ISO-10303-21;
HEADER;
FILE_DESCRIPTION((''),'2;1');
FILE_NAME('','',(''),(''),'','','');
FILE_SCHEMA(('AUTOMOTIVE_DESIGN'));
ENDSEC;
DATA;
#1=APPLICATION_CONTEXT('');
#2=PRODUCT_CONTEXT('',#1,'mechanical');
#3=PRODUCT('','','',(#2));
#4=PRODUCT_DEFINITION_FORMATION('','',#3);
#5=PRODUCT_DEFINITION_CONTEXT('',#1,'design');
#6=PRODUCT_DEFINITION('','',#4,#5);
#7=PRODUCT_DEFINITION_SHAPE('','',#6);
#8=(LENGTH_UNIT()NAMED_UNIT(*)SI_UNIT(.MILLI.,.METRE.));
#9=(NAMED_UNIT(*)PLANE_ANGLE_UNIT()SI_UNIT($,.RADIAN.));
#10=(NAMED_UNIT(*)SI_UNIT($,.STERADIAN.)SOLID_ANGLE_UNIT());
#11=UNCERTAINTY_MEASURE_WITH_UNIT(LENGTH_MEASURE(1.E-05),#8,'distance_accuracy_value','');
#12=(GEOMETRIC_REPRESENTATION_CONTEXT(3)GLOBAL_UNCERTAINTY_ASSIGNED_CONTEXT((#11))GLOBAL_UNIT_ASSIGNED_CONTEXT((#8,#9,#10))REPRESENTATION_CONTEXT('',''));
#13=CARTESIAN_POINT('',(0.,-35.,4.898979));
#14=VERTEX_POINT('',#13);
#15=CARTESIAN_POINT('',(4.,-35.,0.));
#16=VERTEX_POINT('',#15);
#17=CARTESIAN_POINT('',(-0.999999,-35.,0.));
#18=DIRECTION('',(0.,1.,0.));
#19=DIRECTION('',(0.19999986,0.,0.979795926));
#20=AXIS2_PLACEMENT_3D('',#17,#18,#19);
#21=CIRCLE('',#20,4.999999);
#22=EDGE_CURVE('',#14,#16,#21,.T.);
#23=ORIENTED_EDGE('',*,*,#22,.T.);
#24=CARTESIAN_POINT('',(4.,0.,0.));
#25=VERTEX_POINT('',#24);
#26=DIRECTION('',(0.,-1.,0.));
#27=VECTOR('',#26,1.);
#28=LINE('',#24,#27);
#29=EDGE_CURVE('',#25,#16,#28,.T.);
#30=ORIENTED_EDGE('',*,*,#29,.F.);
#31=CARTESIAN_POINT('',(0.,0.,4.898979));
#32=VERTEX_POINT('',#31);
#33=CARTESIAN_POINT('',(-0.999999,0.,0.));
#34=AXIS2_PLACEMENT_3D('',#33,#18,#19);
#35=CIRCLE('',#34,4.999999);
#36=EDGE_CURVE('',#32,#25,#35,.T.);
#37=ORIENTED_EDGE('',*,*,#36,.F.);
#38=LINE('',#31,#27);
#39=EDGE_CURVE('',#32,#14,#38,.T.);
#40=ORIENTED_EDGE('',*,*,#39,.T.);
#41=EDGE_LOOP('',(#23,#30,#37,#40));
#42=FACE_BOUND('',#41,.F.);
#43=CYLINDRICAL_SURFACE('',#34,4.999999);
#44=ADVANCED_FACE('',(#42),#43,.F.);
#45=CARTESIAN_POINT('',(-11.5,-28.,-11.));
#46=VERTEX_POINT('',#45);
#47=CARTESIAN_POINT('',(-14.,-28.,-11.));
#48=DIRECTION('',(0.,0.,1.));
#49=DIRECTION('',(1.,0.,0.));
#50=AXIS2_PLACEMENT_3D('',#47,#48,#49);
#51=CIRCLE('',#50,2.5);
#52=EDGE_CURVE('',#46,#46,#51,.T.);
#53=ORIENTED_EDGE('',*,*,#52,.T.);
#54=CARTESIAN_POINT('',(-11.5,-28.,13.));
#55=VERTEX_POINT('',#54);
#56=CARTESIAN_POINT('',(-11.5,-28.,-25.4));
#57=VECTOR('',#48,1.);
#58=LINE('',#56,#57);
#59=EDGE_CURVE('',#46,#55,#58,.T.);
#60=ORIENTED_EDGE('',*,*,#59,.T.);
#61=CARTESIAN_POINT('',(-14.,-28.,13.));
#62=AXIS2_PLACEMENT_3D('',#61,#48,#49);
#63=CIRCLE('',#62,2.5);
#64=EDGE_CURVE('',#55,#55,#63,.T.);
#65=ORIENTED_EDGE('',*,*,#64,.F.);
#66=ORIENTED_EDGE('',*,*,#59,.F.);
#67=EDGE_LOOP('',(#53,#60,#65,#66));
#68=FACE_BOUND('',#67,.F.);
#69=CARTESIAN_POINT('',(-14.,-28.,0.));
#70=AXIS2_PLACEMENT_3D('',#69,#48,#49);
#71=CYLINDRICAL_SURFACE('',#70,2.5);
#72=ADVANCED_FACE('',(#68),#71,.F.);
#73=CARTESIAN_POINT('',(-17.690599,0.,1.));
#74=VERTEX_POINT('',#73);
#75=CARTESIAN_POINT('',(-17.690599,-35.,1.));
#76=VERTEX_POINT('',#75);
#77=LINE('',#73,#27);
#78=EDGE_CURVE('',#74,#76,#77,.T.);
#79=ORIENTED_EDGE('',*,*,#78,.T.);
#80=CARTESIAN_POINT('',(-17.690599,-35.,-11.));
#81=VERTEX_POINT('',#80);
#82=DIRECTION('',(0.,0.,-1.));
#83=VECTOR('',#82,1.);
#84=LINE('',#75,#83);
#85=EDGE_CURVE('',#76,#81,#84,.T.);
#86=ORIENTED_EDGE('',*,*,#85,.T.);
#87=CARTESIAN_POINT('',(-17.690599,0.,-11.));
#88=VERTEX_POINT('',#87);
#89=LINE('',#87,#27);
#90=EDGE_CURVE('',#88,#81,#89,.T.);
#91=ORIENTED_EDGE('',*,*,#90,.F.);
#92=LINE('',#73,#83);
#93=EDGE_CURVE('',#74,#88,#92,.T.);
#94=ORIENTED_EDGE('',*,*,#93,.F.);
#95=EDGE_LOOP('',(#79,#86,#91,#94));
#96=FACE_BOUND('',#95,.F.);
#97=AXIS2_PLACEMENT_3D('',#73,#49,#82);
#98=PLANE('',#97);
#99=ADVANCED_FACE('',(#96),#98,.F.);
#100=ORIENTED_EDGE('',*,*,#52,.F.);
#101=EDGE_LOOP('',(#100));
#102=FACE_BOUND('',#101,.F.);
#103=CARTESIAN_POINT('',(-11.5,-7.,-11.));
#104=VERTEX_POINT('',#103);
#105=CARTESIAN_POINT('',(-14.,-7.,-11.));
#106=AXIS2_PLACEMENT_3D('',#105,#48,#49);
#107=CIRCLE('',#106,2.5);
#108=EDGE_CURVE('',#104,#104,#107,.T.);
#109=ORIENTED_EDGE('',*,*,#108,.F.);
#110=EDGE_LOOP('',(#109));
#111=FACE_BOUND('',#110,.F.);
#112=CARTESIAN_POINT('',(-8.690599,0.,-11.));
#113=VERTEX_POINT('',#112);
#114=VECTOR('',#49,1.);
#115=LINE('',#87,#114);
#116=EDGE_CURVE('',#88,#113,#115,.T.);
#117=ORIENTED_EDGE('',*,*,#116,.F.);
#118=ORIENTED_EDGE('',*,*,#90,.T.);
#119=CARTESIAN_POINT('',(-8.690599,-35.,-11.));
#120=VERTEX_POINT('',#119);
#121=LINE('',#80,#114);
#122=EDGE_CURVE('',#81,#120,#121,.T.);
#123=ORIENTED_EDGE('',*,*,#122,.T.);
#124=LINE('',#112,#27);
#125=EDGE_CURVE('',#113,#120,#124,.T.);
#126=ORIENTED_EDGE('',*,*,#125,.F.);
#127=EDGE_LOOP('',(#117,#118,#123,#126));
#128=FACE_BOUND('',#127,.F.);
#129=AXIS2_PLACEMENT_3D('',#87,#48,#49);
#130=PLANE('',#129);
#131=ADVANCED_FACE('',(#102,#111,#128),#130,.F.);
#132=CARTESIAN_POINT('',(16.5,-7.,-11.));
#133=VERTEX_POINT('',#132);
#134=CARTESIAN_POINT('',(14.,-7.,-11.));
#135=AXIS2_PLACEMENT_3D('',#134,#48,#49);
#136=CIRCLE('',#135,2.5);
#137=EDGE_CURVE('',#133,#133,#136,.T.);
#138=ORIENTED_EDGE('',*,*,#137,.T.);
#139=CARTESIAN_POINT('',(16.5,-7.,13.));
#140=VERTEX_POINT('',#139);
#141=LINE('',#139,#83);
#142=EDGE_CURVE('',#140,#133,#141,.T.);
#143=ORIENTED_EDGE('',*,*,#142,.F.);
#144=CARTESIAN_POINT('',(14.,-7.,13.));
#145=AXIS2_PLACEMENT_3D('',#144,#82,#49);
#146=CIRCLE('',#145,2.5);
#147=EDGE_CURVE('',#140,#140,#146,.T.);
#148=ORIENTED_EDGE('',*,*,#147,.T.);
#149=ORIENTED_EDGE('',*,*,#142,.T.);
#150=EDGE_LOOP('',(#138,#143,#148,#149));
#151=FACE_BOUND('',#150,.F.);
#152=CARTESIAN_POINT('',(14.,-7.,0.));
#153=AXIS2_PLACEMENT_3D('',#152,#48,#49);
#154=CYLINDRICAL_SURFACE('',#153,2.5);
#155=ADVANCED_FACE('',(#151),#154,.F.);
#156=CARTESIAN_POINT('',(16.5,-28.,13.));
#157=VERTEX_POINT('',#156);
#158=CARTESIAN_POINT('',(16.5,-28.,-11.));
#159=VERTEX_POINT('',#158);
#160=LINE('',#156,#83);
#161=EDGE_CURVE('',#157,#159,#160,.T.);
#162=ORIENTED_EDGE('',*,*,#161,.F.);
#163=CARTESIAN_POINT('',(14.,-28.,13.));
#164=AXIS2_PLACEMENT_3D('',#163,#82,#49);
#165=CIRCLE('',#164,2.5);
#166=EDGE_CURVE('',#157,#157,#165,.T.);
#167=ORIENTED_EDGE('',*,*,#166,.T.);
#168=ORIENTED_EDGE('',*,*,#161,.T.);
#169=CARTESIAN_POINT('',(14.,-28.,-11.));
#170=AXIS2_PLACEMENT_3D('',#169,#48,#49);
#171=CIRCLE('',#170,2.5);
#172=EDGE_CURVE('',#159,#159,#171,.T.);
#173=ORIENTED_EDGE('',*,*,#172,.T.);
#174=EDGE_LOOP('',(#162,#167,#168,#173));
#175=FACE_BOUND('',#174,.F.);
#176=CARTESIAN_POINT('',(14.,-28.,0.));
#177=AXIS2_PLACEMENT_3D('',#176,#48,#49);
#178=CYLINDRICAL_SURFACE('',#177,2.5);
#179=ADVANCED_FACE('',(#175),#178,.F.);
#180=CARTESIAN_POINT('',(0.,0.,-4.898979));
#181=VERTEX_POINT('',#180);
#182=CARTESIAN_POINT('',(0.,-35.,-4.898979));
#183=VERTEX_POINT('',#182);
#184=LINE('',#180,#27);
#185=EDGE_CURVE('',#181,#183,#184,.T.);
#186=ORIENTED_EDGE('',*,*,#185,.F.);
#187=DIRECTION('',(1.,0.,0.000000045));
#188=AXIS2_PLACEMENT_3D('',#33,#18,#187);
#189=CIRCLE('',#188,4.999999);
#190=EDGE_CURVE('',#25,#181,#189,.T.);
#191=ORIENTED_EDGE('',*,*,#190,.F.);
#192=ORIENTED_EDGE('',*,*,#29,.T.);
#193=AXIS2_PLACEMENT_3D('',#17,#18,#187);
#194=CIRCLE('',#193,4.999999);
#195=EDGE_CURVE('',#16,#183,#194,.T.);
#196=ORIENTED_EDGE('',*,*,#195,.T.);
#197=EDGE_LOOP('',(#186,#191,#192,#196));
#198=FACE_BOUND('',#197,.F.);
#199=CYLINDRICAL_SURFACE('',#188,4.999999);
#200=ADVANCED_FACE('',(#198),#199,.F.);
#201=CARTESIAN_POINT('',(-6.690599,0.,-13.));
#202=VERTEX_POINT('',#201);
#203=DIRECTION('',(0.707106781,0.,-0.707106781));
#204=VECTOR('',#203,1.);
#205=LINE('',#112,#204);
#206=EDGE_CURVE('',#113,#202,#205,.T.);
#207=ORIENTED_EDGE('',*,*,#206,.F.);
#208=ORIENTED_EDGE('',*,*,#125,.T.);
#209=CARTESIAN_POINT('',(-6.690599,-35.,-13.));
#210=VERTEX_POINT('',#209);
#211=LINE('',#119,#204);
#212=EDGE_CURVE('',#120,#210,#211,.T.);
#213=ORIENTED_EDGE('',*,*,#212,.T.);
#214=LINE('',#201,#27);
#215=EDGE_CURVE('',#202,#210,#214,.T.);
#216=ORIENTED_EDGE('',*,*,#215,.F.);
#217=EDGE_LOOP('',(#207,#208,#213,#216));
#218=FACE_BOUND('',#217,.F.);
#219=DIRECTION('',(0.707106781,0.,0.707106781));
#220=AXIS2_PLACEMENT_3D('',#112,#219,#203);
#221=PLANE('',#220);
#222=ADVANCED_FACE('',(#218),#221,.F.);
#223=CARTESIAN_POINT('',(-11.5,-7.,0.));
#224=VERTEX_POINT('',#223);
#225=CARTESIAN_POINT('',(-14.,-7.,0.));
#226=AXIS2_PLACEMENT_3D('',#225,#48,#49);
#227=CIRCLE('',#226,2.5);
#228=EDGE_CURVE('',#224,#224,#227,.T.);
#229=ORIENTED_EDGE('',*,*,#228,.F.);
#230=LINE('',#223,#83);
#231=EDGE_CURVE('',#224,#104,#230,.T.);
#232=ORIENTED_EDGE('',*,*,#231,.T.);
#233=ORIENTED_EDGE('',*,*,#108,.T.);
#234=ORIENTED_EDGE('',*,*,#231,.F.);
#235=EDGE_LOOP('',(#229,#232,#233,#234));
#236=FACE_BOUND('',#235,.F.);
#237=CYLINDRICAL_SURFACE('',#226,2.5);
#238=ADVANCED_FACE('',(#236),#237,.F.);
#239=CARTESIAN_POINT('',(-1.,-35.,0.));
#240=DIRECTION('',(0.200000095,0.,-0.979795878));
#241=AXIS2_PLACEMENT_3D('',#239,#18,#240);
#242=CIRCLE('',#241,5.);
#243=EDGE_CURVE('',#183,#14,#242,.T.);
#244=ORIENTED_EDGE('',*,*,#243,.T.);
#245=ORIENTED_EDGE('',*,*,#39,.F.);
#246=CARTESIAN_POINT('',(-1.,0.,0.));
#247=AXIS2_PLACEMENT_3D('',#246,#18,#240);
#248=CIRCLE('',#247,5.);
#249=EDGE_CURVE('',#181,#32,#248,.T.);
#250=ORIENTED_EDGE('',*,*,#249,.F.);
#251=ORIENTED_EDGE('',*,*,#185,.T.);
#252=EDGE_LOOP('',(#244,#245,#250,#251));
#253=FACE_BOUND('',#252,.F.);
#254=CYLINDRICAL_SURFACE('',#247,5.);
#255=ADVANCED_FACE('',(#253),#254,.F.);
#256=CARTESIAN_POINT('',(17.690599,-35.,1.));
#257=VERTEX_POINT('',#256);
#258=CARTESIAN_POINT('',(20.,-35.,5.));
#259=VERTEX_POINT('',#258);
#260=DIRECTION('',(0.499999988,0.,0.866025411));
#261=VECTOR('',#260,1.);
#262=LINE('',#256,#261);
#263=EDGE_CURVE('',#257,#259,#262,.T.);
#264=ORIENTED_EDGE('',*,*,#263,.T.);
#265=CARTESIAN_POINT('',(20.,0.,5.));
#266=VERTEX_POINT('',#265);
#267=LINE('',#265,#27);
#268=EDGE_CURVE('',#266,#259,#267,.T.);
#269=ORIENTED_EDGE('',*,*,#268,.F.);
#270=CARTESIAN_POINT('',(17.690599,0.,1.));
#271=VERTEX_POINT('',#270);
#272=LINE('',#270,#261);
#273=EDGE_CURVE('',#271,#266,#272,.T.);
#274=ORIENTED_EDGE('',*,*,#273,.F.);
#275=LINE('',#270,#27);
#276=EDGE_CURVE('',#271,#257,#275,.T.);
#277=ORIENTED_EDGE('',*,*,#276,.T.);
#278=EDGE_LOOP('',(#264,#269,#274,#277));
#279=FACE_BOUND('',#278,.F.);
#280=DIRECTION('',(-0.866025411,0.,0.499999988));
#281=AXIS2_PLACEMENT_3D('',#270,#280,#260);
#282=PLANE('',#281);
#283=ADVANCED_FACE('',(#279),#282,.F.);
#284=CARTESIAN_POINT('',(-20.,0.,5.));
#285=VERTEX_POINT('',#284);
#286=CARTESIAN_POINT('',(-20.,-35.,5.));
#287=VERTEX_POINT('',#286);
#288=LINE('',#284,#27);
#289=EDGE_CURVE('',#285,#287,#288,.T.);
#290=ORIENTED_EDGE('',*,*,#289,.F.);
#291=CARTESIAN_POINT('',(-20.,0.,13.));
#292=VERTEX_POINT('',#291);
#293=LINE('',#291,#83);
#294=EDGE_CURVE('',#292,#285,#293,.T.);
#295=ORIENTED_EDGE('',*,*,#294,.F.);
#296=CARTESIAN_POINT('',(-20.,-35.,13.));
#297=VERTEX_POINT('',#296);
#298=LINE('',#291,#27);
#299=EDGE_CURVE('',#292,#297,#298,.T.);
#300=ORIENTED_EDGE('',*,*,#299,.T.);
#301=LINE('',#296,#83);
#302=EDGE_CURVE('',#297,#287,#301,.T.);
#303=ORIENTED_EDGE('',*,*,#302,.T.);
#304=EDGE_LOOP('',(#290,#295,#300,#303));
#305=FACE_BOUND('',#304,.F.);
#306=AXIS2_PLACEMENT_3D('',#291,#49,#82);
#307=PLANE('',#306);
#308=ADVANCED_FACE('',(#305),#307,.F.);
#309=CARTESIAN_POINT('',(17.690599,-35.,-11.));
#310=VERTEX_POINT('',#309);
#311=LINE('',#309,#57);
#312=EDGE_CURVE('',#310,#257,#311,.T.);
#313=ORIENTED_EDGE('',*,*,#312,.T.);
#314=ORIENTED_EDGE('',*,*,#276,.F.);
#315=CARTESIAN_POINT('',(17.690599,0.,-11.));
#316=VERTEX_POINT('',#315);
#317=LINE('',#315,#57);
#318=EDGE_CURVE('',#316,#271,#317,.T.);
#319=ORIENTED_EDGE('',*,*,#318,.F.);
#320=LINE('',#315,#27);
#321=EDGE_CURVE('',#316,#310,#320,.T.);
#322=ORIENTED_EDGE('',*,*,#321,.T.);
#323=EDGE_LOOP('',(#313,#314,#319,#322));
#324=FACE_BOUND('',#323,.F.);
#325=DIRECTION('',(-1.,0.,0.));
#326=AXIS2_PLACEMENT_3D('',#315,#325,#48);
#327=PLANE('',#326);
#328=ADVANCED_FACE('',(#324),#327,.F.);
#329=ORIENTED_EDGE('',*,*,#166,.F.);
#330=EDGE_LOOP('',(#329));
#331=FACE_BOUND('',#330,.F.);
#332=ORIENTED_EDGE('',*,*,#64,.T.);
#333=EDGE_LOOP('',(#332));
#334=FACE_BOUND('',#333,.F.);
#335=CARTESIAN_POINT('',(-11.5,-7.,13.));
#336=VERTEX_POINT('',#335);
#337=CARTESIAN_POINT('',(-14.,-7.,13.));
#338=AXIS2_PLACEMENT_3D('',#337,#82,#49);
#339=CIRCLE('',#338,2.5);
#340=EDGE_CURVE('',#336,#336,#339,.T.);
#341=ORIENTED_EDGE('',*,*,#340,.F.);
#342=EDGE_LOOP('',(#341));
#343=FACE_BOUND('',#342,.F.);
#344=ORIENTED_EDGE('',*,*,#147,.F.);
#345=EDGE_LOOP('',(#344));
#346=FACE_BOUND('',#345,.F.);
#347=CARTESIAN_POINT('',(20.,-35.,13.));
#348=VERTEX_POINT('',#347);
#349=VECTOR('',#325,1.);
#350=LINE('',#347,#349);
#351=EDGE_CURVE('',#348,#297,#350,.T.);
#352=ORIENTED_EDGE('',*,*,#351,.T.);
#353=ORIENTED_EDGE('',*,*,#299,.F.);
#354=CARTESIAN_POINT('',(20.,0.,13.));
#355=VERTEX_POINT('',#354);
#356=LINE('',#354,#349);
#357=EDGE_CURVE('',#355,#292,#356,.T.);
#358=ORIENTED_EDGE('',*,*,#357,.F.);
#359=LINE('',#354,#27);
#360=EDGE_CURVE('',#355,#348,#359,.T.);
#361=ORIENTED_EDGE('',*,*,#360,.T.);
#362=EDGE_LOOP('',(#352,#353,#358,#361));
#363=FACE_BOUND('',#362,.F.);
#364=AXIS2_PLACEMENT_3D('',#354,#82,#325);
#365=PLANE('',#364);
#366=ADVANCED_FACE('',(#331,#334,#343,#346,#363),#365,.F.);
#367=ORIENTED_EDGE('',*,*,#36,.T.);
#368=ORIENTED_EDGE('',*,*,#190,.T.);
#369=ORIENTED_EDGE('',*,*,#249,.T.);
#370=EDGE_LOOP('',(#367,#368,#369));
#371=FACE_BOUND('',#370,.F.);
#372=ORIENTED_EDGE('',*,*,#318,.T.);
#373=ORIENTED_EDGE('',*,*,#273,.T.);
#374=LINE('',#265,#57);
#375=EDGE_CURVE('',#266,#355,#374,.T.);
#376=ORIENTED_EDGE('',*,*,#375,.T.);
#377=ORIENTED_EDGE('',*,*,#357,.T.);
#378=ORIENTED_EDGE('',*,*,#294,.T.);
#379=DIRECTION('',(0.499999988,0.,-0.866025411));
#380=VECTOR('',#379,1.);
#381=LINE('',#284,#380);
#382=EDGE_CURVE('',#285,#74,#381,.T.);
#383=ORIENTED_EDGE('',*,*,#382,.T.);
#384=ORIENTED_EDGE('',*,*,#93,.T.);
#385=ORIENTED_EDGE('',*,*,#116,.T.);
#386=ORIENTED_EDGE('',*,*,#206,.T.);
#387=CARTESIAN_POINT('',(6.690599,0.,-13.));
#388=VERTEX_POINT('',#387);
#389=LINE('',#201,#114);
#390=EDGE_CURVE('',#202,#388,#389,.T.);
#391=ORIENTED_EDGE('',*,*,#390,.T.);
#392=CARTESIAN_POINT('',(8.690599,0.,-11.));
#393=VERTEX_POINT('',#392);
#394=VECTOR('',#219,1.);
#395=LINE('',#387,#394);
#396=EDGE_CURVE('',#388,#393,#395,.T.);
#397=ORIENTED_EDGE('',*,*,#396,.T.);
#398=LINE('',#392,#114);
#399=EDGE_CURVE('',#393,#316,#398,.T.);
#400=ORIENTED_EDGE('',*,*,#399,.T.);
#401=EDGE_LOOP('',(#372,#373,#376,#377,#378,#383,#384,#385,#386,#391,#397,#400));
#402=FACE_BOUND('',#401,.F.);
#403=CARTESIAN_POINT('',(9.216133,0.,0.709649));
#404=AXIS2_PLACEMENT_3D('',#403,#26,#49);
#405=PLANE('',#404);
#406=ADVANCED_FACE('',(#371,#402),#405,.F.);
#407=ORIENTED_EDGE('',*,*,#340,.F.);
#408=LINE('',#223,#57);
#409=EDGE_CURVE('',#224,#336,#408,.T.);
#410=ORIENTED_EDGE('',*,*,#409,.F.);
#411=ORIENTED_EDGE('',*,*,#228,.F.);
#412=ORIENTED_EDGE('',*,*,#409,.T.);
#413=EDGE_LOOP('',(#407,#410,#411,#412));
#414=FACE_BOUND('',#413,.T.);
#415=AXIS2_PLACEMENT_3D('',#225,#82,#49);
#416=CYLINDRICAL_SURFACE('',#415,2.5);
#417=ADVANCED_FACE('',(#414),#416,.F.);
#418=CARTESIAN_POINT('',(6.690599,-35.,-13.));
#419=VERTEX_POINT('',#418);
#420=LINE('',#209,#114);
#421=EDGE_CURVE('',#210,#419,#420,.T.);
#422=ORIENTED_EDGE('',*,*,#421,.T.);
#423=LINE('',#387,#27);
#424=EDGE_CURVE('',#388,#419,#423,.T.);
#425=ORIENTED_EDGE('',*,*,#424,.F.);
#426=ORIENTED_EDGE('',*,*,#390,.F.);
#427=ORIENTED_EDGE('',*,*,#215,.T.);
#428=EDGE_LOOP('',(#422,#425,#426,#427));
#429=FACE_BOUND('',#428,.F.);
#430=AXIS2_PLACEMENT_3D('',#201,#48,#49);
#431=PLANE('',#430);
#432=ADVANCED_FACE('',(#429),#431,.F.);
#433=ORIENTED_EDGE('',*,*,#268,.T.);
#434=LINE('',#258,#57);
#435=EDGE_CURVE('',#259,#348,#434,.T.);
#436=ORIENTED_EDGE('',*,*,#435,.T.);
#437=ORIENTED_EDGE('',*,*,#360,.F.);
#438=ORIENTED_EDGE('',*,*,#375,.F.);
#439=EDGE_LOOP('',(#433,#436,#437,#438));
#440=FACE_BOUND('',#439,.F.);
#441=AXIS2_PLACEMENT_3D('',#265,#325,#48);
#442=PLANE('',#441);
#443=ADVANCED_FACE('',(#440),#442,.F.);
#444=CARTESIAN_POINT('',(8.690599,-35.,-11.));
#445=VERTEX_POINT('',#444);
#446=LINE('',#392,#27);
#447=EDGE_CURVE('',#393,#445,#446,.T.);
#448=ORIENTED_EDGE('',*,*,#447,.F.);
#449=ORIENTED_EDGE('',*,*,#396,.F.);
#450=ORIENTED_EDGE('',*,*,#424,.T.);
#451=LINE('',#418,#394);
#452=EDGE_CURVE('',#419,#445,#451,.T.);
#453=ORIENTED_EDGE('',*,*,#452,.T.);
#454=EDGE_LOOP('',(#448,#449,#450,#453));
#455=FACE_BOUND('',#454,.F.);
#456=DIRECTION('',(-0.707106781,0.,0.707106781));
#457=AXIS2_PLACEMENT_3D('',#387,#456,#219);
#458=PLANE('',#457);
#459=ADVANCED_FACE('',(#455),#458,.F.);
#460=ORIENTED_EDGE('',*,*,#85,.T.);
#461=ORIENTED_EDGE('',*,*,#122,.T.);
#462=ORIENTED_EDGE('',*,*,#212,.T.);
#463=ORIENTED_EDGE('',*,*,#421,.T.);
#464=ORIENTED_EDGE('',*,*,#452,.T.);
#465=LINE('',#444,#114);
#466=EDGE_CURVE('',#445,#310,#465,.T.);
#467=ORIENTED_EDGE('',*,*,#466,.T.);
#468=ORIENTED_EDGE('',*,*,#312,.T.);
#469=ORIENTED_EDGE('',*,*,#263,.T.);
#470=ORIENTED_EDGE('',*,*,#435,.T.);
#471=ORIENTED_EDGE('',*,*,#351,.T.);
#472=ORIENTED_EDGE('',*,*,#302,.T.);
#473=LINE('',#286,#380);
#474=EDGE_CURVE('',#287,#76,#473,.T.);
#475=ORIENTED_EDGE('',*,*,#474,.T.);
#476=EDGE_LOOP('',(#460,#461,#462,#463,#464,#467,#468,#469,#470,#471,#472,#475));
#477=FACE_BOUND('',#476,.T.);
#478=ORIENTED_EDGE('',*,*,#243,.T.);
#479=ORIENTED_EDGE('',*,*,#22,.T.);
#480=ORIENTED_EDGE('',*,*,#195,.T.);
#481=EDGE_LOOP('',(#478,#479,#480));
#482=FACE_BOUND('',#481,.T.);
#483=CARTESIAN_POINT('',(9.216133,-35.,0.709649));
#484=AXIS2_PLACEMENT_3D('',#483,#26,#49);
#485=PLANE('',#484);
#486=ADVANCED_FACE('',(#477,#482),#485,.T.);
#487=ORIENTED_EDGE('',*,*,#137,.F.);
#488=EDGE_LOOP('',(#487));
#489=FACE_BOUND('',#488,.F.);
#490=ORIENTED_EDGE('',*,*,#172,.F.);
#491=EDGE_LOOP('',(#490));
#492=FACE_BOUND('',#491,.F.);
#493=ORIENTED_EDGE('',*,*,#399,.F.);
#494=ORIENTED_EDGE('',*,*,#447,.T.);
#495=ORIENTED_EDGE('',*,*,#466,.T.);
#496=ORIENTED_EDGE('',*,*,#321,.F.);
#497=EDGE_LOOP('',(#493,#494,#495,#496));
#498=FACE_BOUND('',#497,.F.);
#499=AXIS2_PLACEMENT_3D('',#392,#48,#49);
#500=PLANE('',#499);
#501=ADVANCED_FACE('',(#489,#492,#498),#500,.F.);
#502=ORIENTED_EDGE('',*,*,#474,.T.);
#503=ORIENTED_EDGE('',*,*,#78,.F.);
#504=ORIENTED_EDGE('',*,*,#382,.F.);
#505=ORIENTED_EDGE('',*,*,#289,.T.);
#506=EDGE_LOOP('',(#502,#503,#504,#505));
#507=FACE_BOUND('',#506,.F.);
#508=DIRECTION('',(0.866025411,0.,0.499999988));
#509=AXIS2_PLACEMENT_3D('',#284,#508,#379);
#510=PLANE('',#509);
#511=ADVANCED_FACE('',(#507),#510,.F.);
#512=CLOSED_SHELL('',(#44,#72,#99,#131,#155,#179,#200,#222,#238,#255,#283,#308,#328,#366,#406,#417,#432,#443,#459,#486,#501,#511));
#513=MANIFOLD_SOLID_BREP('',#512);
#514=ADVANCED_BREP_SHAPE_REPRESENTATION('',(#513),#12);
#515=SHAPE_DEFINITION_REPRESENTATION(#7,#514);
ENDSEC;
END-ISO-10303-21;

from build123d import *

# Parameters (mm, degrees)
F1_DEPTH = 35
F2_R     = 2.5
F3_DEPTH = 25.4


with BuildPart() as f1:
    # F0 (on Front) → F1 (new body)
    with BuildSketch(Plane.XZ):
        with BuildLine():
            Line((0, -13), (6.690599, -13))
            Line((6.690599, -13), (8.690599, -11))
            Line((8.690599, -11), (17.690599, -11))
            Line((17.690599, -11), (17.690599, 1))
            Line((17.690599, 1), (20, 5))
            Line((20, 5), (20, 13))
            Line((20, 13), (0, 13))
            Line((0, 13), (0, 4.898979))
            ThreePointArc((0, 4.898979), (2.872983, 3.162278), (4, 0))
            ThreePointArc((4, 0), (2.872983, -3.162278), (0, -4.898979))
            Line((0, -4.898979), (0, -13))
        make_face()
        with BuildLine():
            Line((-6.690599, -13), (0, -13))
            Line((0, -13), (0, -4.898979))
            ThreePointArc((0, -4.898979), (-6, 0), (0, 4.898979))
            Line((0, 4.898979), (0, 13))
            Line((0, 13), (-20, 13))
            Line((-20, 13), (-20, 5))
            Line((-20, 5), (-17.690599, 1))
            Line((-17.690599, 1), (-17.690599, -11))
            Line((-17.690599, -11), (-8.690599, -11))
            Line((-8.690599, -11), (-6.690599, -13))
        make_face()
    extrude(amount=F1_DEPTH)

    # F2 (on Top) → F3 (cut, symmetric)
    with BuildSketch(Plane.XY):
        with Locations((14, -28)):
            Circle(F2_R)
        with Locations((14, -7)):
            Circle(F2_R)
        with Locations((-14, -7)):
            Circle(F2_R)
        with Locations((-14, -28)):
            Circle(F2_R)
    extrude(amount=F3_DEPTH, both=True, mode=Mode.SUBTRACT)


solid = f1.part
